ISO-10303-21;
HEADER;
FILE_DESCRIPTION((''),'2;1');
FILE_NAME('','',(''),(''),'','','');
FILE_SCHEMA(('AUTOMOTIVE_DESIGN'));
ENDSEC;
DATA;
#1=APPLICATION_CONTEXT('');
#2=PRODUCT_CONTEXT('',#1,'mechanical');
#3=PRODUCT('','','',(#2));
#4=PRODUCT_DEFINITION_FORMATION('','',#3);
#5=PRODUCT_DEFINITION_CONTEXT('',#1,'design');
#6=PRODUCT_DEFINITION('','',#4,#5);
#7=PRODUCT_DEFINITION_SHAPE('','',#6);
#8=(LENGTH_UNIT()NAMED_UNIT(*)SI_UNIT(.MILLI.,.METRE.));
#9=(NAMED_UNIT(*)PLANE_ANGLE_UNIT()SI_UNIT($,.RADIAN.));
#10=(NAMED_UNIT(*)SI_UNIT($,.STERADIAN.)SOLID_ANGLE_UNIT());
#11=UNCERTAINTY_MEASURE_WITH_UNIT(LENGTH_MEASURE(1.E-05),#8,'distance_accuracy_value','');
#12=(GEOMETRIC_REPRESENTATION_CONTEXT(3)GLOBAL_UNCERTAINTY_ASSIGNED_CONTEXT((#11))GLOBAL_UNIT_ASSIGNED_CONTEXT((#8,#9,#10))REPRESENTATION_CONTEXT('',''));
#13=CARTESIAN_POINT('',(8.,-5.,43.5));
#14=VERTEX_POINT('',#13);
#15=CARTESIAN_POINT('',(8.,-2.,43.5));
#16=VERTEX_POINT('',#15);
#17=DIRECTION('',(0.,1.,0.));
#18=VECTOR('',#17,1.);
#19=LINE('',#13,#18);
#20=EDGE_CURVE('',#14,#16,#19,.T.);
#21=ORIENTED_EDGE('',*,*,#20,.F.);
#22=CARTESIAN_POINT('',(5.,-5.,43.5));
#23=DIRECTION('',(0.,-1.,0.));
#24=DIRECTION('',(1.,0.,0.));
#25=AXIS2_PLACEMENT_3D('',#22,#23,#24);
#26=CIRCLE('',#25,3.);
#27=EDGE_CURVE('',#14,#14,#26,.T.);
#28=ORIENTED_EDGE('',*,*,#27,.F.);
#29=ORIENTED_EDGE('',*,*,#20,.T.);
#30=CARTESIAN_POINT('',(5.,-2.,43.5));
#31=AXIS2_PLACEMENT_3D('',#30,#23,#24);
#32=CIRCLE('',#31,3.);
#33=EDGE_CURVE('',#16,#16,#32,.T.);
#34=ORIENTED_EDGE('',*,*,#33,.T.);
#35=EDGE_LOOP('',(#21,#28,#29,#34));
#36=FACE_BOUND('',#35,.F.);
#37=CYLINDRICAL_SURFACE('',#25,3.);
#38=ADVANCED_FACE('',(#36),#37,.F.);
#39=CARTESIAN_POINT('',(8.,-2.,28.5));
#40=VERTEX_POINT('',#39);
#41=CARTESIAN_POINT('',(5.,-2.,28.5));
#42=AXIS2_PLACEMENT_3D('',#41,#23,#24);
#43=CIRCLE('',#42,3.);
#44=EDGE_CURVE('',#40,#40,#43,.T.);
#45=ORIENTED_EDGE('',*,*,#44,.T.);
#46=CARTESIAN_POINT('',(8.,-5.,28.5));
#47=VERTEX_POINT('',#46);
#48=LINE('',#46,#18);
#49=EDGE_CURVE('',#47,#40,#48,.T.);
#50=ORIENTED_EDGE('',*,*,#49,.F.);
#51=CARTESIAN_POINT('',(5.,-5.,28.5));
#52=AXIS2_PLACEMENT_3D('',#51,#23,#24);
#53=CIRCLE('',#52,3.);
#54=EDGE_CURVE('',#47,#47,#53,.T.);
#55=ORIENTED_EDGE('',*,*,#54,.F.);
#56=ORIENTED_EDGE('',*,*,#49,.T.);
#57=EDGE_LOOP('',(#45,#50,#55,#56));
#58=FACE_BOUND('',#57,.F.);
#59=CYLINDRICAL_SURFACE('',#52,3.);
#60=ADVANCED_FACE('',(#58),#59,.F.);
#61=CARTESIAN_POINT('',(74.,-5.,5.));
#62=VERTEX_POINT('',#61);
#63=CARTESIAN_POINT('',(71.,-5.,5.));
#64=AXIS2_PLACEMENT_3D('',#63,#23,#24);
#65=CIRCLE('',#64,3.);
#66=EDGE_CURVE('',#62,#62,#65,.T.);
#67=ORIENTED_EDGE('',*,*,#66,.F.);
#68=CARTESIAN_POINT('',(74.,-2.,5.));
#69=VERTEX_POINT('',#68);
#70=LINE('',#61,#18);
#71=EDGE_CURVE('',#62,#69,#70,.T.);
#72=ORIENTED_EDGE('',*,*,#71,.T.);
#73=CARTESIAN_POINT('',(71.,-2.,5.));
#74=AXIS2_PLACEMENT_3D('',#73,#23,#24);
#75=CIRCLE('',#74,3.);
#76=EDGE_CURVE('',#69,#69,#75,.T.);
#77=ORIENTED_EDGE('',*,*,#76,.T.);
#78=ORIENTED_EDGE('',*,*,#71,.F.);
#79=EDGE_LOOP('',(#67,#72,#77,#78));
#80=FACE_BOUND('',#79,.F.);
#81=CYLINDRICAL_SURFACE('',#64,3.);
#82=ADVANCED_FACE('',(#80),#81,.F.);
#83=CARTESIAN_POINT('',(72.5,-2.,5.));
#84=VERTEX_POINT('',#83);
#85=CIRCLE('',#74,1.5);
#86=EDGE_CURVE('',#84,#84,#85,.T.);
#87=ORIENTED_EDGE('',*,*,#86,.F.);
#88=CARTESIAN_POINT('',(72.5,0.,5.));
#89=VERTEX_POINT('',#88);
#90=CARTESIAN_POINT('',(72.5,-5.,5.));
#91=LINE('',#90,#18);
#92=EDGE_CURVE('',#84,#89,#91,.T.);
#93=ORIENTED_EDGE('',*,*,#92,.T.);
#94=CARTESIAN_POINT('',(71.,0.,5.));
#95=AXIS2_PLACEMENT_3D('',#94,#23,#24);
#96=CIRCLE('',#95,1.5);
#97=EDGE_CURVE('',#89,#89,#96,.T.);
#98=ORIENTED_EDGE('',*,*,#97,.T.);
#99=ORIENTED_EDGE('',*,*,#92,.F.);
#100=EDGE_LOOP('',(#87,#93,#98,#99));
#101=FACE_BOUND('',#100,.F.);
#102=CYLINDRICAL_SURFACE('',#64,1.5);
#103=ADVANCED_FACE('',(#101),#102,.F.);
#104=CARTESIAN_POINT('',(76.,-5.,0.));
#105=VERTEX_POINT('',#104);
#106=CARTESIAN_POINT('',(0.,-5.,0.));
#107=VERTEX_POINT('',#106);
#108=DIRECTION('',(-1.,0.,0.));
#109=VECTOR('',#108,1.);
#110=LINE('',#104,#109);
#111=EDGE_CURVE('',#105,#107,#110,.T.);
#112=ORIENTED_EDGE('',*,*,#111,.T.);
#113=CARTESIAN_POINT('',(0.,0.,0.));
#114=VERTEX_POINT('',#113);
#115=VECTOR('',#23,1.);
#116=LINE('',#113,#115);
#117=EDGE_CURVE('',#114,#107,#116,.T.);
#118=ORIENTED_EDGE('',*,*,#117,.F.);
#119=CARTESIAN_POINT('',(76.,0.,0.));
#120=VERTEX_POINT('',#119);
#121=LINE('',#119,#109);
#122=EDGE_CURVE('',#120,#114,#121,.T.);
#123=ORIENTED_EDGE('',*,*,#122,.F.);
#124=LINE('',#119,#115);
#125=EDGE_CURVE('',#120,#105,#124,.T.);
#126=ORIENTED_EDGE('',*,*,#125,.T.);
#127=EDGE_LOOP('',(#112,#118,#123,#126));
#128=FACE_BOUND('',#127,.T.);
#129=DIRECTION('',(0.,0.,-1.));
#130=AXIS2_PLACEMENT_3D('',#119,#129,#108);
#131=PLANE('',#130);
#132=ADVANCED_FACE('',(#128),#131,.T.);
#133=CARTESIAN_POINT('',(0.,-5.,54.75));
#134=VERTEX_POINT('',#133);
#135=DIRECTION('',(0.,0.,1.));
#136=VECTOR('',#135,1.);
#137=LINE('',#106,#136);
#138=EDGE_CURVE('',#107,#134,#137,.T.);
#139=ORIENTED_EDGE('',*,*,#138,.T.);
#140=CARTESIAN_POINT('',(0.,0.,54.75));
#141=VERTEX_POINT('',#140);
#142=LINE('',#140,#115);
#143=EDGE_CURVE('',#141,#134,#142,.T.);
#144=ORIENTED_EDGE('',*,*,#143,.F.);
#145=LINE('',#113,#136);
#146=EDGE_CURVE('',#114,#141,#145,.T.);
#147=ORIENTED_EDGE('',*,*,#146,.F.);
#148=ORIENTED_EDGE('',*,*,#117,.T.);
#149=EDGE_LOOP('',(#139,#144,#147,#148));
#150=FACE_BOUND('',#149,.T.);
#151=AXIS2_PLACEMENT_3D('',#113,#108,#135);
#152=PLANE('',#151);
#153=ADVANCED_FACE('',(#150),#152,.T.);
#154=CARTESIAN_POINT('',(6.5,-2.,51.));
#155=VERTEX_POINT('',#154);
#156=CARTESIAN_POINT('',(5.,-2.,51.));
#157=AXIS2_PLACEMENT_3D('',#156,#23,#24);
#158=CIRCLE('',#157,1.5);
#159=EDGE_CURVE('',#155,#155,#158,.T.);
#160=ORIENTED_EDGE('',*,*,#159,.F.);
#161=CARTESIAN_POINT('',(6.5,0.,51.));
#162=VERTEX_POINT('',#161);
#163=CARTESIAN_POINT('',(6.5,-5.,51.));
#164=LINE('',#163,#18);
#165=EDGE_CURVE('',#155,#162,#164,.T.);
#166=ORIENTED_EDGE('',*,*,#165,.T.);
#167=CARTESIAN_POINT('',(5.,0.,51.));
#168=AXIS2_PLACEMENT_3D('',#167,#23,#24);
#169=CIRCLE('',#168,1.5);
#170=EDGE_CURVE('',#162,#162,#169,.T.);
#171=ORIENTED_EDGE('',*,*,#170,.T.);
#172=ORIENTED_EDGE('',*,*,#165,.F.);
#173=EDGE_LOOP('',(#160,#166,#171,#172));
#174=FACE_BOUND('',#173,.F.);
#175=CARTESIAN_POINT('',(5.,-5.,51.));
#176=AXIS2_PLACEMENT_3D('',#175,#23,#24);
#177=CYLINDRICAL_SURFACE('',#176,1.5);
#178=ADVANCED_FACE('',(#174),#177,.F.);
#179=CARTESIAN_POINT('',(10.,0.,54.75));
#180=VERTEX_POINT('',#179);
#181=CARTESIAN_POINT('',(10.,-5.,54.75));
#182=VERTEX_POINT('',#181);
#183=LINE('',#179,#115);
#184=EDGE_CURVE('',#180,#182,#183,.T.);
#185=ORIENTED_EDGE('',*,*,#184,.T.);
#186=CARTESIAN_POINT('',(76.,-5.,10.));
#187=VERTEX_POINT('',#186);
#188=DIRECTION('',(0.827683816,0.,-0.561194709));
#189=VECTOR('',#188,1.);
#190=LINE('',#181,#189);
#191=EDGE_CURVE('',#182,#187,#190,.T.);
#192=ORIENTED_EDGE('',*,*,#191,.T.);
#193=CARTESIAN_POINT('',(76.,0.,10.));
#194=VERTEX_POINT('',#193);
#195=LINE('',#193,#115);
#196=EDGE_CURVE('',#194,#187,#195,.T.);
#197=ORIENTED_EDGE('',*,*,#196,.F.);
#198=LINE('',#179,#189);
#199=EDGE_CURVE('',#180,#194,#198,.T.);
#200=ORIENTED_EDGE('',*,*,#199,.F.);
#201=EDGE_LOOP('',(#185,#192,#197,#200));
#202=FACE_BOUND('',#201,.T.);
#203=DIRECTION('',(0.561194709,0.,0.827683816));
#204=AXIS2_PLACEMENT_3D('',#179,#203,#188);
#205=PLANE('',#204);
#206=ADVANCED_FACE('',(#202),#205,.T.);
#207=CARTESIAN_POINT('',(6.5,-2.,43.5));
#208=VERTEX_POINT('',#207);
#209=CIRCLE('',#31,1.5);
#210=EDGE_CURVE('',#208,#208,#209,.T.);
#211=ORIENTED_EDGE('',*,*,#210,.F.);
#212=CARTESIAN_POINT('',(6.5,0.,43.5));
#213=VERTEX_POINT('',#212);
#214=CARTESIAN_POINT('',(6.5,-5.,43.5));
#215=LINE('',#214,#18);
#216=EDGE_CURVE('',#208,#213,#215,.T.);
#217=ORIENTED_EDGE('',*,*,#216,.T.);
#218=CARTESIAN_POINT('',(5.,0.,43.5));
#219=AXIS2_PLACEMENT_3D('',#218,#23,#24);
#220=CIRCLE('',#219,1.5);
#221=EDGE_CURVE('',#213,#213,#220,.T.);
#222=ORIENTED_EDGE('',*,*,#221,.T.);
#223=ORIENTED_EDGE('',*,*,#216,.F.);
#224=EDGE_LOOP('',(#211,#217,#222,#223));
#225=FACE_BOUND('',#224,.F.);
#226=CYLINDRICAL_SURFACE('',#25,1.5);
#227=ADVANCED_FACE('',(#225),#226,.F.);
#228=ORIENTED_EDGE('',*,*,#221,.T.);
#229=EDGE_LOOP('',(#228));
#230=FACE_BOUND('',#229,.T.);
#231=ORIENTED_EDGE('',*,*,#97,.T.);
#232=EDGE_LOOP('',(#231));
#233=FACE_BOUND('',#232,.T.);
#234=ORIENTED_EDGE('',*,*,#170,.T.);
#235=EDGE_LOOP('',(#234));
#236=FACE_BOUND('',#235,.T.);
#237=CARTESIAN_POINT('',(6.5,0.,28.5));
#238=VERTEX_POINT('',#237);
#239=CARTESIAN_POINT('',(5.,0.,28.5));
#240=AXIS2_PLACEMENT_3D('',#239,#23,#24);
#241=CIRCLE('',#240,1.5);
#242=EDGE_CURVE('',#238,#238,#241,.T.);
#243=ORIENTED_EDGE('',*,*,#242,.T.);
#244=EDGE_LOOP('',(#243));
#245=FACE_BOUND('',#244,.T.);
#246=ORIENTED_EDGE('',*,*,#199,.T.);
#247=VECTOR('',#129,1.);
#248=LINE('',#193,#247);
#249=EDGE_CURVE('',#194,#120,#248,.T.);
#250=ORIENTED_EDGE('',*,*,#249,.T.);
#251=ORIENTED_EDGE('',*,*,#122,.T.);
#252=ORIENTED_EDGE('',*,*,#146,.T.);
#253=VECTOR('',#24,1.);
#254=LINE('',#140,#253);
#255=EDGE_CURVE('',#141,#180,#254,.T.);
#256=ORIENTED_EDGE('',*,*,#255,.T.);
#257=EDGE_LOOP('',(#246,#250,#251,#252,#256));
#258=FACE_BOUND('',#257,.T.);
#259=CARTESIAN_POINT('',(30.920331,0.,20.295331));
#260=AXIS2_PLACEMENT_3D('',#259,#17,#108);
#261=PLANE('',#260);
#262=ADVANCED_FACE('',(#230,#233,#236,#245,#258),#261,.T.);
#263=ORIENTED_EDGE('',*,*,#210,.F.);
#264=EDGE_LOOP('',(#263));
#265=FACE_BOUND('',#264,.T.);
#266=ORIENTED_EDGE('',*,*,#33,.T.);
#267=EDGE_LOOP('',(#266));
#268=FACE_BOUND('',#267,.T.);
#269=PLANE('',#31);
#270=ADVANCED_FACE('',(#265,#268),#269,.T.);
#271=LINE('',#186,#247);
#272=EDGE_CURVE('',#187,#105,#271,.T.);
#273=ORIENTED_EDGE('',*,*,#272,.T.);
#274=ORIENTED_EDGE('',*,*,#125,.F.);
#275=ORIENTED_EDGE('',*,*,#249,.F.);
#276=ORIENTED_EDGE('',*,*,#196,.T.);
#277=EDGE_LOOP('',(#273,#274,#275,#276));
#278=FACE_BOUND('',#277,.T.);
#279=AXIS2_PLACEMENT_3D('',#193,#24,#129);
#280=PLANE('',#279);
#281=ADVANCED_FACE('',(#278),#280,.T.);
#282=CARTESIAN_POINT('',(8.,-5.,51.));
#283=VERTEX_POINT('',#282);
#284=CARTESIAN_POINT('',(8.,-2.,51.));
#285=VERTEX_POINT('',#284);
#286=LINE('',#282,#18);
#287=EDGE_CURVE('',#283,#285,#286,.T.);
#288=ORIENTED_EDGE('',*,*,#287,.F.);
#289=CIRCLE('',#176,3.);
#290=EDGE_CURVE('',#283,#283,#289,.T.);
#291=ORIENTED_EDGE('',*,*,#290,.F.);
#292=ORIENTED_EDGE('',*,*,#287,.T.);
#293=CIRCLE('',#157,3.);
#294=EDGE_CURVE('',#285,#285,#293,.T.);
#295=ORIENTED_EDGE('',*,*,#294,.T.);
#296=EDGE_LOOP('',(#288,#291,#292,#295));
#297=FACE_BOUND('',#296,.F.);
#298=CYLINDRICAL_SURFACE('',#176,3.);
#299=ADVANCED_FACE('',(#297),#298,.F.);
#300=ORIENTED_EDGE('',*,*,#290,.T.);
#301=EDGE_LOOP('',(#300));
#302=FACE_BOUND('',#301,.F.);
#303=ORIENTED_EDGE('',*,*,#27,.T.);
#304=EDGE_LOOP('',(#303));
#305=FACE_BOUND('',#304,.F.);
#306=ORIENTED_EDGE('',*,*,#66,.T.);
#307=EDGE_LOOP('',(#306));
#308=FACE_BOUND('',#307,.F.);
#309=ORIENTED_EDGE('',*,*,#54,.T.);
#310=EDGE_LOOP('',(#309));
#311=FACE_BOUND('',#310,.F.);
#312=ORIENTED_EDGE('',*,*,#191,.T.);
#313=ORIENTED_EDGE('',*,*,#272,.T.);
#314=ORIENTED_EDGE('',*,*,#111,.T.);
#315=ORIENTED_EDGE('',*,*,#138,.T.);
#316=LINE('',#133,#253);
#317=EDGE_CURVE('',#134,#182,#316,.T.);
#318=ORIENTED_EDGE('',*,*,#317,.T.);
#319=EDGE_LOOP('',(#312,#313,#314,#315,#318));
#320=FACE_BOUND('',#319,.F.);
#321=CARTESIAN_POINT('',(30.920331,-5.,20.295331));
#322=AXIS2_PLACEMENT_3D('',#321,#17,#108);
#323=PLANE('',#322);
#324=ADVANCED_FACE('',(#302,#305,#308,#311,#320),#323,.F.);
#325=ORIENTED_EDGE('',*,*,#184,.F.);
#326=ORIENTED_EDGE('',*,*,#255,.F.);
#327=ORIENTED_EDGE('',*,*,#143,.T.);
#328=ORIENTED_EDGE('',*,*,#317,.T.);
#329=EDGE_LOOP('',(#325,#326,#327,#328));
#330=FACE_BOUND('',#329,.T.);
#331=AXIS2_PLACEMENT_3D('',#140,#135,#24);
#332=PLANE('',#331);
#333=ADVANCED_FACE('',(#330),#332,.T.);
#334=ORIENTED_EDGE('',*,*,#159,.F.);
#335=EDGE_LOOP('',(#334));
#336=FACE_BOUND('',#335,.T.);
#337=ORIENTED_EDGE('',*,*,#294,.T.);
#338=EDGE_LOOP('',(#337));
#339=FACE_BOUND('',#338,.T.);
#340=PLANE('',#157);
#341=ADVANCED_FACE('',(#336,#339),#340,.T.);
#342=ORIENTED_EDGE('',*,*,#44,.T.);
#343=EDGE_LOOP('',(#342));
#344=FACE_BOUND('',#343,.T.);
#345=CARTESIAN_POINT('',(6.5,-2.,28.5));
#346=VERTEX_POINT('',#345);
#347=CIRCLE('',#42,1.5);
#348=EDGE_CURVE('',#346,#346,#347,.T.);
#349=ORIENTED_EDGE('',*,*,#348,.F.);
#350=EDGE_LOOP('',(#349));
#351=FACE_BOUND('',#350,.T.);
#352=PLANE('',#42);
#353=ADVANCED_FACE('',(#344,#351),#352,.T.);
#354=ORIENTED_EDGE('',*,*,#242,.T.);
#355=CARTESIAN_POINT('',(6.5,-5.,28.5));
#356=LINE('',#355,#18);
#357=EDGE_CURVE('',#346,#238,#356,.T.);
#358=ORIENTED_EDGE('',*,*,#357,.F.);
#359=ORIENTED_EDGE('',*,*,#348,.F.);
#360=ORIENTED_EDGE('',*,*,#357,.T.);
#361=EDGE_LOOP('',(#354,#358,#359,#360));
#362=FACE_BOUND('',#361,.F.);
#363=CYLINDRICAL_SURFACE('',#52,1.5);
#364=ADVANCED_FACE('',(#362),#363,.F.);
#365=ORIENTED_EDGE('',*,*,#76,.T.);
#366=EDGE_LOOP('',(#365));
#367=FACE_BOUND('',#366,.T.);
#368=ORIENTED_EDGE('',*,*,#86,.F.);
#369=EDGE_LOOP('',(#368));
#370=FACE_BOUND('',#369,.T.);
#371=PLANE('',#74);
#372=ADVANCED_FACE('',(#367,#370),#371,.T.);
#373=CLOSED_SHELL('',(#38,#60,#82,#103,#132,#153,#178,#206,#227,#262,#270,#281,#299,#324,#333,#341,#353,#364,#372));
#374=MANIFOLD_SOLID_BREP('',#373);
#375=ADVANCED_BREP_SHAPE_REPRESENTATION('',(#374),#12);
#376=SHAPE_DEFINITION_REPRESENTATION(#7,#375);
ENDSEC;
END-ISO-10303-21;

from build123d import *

# Parameters (mm, degrees)
PAD_DEPTH       = 5
SKETCH001_R     = 1.5
POCKET_DEPTH    = 5.001
SKETCH002_R     = 3
POCKET001_DEPTH = 3


with BuildPart() as part:
    # Sketch → Pad (new body)
    with BuildSketch(Plane.XZ):
        Polygon((0, 0), (0, 54.75), (10, 54.75), (76, 10), (76, 0), align=None)
    extrude(amount=PAD_DEPTH)

    # Sketch001 (on Face7 of Pad) → Pocket (cut, through all)
    with BuildSketch(Plane.XZ.offset(5)):
        with Locations((5, 51)):
            Circle(SKETCH001_R)
        with Locations((5, 43.5)):
            Circle(SKETCH001_R)
        with Locations((5, 28.5)):
            Circle(SKETCH001_R)
        with Locations((71, 5)):
            Circle(SKETCH001_R)
    extrude(amount=-POCKET_DEPTH, mode=Mode.SUBTRACT)

    # Sketch002 (on Face5 of Pocket) → Pocket001 (cut)
    with BuildSketch(Plane.XZ.offset(5)):
        with Locations((5, 51)):
            Circle(SKETCH002_R)
        with Locations((5, 43.5)):
            Circle(SKETCH002_R)
        with Locations((5, 28.5)):
            Circle(SKETCH002_R)
        with Locations((71, 5)):
            Circle(SKETCH002_R)
    extrude(amount=-POCKET001_DEPTH, mode=Mode.SUBTRACT)


solid = part.part
